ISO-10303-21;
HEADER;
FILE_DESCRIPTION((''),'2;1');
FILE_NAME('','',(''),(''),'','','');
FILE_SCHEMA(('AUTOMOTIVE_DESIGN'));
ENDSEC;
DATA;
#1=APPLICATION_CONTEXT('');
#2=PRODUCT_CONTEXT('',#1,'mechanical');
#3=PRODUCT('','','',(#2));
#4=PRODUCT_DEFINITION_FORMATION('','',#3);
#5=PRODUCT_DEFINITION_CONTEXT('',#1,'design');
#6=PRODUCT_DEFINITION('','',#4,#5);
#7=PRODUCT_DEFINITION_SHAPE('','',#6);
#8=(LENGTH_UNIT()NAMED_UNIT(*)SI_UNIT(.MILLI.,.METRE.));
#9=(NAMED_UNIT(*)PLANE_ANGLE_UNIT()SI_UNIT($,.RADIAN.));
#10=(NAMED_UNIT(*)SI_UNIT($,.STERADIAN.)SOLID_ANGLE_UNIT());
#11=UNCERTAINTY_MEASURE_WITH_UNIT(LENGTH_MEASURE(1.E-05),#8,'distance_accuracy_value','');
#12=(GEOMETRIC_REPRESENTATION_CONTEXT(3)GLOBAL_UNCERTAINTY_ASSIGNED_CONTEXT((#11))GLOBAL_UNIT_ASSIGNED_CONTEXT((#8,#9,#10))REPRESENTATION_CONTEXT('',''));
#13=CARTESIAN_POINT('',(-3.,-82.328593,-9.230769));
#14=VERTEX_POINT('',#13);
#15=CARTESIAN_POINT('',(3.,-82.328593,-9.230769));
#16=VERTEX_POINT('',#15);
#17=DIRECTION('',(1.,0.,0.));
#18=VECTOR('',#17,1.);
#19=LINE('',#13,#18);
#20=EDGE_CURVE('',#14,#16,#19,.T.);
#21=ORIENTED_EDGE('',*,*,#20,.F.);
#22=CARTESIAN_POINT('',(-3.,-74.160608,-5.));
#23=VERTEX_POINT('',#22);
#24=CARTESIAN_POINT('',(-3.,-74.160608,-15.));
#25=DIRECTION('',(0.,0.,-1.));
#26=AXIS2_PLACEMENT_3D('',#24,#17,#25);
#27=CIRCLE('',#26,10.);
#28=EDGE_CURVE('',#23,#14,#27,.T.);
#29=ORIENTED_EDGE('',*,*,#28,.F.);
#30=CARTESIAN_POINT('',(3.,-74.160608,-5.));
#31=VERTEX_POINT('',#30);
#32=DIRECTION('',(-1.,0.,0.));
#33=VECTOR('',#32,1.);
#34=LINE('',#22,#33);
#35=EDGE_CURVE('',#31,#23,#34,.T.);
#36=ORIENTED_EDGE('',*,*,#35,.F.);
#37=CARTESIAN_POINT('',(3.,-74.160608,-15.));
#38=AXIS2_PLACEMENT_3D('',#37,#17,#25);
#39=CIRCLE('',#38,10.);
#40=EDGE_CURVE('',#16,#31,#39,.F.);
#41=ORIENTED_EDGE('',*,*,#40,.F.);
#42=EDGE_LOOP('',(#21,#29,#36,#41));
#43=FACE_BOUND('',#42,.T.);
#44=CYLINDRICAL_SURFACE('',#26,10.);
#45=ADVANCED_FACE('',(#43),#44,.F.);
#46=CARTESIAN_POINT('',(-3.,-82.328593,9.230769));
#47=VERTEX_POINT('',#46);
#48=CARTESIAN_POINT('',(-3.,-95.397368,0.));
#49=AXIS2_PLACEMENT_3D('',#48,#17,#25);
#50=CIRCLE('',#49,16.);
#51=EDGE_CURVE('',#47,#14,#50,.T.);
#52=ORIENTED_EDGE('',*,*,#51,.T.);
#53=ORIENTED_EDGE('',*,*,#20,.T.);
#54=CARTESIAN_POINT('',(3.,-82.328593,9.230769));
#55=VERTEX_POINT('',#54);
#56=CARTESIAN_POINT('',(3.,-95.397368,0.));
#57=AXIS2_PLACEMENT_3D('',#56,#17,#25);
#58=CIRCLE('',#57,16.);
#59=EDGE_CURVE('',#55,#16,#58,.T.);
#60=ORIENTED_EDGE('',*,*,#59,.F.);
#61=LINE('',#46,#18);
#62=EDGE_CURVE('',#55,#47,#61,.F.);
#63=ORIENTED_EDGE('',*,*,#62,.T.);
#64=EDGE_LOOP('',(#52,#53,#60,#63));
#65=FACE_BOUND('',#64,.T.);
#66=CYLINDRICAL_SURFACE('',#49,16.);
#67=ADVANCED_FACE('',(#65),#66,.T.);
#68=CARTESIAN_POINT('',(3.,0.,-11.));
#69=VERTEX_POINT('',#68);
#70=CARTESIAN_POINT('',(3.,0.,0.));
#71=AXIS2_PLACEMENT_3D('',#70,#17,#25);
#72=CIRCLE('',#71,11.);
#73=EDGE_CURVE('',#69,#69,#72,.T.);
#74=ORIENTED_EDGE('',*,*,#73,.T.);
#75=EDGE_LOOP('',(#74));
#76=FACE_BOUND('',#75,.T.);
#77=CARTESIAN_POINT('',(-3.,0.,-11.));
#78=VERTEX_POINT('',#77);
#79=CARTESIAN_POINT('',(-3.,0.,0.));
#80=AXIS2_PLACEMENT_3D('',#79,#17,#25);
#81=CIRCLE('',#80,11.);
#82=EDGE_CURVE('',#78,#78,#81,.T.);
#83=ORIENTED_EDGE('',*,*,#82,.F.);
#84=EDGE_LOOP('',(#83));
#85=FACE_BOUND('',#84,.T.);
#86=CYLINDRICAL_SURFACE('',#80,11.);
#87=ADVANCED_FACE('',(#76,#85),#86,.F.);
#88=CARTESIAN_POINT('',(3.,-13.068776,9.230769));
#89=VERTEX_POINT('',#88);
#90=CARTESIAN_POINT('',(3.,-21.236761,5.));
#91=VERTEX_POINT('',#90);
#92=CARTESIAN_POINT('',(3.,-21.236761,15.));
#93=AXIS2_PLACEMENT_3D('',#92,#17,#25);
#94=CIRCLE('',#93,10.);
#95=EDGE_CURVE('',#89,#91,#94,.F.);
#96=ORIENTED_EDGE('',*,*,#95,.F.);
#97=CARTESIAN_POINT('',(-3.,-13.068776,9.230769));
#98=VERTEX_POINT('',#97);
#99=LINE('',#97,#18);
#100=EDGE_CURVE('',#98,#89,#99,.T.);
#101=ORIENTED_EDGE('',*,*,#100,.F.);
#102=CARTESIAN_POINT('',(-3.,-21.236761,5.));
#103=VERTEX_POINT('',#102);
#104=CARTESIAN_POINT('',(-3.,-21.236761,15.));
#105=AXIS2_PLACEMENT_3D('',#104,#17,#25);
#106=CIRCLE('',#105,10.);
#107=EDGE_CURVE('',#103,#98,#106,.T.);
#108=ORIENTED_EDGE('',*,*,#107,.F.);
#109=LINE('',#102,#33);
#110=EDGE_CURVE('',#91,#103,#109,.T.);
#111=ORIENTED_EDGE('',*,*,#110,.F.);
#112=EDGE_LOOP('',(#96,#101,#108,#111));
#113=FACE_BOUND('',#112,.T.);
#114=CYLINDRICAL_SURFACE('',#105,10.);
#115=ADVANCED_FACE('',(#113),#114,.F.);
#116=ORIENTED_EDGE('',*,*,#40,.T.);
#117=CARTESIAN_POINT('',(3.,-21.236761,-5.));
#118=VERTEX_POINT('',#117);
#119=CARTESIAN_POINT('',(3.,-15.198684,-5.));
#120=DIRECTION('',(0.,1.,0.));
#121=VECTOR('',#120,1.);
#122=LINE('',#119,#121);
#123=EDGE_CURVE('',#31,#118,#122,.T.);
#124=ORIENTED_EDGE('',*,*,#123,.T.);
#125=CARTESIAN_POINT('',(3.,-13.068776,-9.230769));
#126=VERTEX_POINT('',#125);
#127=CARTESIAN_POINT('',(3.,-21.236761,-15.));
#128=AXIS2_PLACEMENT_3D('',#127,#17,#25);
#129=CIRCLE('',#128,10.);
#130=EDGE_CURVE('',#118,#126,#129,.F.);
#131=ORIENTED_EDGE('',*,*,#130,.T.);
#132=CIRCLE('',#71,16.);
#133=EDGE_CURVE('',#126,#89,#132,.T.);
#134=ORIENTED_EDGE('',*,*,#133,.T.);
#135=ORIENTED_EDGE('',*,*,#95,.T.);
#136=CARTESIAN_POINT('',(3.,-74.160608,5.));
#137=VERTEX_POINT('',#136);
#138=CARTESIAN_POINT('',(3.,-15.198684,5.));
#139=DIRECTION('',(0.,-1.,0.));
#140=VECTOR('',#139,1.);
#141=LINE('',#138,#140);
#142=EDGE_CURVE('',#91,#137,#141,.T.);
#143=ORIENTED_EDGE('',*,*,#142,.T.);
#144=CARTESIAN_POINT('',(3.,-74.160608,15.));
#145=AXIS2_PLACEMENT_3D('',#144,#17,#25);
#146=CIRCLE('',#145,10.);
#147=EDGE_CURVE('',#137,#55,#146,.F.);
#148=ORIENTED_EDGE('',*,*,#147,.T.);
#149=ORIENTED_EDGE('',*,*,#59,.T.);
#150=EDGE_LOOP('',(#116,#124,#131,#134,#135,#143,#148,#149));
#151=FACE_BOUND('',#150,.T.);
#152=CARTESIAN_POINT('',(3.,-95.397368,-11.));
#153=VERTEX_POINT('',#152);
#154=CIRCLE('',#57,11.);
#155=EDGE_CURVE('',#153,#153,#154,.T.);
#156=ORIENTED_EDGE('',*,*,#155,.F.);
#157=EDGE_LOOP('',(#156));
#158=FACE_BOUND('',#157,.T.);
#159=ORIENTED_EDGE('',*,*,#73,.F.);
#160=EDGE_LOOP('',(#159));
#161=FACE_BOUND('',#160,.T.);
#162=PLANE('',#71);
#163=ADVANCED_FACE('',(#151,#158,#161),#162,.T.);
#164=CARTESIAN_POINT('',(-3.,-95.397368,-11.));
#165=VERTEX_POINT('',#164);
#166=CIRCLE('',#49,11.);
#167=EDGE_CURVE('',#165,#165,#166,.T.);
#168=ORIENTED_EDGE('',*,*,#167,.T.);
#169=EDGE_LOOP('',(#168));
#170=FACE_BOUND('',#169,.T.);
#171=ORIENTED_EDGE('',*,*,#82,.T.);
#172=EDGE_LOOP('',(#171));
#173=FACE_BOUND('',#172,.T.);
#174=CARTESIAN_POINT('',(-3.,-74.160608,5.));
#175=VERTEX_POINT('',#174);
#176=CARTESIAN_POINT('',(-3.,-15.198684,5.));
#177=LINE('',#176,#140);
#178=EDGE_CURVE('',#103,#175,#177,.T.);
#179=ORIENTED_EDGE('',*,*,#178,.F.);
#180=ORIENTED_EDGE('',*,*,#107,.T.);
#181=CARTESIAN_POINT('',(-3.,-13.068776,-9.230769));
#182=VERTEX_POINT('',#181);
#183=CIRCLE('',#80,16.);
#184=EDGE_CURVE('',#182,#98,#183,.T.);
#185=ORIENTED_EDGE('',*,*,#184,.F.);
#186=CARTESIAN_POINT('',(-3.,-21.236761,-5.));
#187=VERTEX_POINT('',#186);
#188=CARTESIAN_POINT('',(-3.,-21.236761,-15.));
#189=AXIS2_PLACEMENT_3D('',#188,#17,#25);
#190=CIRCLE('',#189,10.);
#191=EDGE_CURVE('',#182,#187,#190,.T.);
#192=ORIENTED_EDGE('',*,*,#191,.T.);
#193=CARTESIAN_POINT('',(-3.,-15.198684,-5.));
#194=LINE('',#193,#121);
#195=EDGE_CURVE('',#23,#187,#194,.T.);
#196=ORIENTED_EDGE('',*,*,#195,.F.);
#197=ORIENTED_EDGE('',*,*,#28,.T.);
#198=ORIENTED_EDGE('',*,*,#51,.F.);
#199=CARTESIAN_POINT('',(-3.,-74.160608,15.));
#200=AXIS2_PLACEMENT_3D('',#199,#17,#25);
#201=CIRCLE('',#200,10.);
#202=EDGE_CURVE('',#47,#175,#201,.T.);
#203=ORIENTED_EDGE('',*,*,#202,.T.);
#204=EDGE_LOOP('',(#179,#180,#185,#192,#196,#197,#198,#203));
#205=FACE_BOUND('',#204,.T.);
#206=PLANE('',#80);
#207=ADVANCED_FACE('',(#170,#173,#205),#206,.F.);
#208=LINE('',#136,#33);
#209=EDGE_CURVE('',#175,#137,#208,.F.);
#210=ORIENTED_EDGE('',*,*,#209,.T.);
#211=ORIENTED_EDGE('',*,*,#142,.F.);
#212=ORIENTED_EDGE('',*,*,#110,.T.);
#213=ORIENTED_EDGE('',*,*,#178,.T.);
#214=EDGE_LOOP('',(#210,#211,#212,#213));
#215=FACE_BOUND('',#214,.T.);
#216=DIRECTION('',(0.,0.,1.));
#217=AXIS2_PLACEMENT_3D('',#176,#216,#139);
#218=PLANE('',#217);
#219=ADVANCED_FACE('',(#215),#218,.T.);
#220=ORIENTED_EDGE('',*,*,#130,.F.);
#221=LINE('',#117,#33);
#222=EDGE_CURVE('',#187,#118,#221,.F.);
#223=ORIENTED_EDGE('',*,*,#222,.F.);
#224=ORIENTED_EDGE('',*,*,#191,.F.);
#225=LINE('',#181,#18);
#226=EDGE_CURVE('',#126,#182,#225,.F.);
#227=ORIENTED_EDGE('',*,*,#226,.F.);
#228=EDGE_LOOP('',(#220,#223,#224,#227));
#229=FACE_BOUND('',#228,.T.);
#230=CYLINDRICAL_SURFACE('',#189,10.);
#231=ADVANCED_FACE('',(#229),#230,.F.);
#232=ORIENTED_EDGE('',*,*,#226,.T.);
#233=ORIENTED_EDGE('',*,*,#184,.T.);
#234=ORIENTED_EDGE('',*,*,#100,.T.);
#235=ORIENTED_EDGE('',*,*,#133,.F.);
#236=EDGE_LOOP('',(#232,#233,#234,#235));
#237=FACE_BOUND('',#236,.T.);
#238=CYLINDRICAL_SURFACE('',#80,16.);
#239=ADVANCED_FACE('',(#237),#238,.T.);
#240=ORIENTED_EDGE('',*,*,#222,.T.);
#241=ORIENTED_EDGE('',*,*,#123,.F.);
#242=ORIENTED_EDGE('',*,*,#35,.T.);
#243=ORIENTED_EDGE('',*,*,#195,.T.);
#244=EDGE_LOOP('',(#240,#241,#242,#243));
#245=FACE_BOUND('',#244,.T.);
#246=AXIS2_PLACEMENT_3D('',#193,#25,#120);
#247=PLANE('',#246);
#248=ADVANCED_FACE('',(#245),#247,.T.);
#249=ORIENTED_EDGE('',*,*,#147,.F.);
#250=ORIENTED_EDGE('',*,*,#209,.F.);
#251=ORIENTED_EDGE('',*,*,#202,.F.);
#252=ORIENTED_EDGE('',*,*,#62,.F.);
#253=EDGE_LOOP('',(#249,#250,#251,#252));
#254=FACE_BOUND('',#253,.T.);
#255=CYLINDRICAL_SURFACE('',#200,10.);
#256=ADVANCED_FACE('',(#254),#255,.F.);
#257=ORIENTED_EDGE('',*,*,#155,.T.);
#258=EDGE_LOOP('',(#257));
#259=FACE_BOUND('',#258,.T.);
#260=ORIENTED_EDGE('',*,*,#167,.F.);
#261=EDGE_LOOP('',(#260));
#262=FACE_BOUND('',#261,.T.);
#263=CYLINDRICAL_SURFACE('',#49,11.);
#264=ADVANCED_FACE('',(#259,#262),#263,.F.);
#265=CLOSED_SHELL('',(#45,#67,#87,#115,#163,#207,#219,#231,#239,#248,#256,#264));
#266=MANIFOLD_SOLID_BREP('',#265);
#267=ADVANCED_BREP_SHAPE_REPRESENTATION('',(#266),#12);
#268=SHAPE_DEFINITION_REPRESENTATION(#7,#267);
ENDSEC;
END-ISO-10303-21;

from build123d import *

# Parameters (mm, degrees)
BOSS_EXTRUDE1_DEPTH      = 3
BOSS_EXTRUDE1_DEPTH_BACK = 3
SKETCH1_R                = 11
FILLET1_R                = 10


with BuildPart() as part:
    # Sketch1 → Boss-Extrude1 (new, two sides: drawn at the far end of the back side and taken through both)
    with BuildSketch(Plane(origin=(0, 0, 0), x_dir=(0, 0, -1), z_dir=(1, 0, 0)).offset(-BOSS_EXTRUDE1_DEPTH_BACK)):
        with BuildLine():
            Line((-5, -15.198684154), (-5, -80.198684154))
            ThreePointArc((-5, -80.198684154), (0, -111.397368307), (5, -80.198684154))
            Line((5, -80.198684154), (5, -15.198684154))
            ThreePointArc((5, -15.198684154), (0, 16), (-5, -15.198684154))
        make_face()
        Circle(SKETCH1_R, mode=Mode.SUBTRACT)
        with Locations((0, -95.397368307)):
            Circle(SKETCH1_R, mode=Mode.SUBTRACT)
    extrude(amount=BOSS_EXTRUDE1_DEPTH + BOSS_EXTRUDE1_DEPTH_BACK)

    # Fillet1
    fillet1_edges = [part.edges().sort_by_distance(p)[0] for p in [
        (0, -15.198684154, -5),
        (0, -80.198684154, -5),
        (0, -80.198684154, 5),
        (0, -15.198684154, 5),
    ]]
    fillet(fillet1_edges, radius=FILLET1_R)


solid = part.part
